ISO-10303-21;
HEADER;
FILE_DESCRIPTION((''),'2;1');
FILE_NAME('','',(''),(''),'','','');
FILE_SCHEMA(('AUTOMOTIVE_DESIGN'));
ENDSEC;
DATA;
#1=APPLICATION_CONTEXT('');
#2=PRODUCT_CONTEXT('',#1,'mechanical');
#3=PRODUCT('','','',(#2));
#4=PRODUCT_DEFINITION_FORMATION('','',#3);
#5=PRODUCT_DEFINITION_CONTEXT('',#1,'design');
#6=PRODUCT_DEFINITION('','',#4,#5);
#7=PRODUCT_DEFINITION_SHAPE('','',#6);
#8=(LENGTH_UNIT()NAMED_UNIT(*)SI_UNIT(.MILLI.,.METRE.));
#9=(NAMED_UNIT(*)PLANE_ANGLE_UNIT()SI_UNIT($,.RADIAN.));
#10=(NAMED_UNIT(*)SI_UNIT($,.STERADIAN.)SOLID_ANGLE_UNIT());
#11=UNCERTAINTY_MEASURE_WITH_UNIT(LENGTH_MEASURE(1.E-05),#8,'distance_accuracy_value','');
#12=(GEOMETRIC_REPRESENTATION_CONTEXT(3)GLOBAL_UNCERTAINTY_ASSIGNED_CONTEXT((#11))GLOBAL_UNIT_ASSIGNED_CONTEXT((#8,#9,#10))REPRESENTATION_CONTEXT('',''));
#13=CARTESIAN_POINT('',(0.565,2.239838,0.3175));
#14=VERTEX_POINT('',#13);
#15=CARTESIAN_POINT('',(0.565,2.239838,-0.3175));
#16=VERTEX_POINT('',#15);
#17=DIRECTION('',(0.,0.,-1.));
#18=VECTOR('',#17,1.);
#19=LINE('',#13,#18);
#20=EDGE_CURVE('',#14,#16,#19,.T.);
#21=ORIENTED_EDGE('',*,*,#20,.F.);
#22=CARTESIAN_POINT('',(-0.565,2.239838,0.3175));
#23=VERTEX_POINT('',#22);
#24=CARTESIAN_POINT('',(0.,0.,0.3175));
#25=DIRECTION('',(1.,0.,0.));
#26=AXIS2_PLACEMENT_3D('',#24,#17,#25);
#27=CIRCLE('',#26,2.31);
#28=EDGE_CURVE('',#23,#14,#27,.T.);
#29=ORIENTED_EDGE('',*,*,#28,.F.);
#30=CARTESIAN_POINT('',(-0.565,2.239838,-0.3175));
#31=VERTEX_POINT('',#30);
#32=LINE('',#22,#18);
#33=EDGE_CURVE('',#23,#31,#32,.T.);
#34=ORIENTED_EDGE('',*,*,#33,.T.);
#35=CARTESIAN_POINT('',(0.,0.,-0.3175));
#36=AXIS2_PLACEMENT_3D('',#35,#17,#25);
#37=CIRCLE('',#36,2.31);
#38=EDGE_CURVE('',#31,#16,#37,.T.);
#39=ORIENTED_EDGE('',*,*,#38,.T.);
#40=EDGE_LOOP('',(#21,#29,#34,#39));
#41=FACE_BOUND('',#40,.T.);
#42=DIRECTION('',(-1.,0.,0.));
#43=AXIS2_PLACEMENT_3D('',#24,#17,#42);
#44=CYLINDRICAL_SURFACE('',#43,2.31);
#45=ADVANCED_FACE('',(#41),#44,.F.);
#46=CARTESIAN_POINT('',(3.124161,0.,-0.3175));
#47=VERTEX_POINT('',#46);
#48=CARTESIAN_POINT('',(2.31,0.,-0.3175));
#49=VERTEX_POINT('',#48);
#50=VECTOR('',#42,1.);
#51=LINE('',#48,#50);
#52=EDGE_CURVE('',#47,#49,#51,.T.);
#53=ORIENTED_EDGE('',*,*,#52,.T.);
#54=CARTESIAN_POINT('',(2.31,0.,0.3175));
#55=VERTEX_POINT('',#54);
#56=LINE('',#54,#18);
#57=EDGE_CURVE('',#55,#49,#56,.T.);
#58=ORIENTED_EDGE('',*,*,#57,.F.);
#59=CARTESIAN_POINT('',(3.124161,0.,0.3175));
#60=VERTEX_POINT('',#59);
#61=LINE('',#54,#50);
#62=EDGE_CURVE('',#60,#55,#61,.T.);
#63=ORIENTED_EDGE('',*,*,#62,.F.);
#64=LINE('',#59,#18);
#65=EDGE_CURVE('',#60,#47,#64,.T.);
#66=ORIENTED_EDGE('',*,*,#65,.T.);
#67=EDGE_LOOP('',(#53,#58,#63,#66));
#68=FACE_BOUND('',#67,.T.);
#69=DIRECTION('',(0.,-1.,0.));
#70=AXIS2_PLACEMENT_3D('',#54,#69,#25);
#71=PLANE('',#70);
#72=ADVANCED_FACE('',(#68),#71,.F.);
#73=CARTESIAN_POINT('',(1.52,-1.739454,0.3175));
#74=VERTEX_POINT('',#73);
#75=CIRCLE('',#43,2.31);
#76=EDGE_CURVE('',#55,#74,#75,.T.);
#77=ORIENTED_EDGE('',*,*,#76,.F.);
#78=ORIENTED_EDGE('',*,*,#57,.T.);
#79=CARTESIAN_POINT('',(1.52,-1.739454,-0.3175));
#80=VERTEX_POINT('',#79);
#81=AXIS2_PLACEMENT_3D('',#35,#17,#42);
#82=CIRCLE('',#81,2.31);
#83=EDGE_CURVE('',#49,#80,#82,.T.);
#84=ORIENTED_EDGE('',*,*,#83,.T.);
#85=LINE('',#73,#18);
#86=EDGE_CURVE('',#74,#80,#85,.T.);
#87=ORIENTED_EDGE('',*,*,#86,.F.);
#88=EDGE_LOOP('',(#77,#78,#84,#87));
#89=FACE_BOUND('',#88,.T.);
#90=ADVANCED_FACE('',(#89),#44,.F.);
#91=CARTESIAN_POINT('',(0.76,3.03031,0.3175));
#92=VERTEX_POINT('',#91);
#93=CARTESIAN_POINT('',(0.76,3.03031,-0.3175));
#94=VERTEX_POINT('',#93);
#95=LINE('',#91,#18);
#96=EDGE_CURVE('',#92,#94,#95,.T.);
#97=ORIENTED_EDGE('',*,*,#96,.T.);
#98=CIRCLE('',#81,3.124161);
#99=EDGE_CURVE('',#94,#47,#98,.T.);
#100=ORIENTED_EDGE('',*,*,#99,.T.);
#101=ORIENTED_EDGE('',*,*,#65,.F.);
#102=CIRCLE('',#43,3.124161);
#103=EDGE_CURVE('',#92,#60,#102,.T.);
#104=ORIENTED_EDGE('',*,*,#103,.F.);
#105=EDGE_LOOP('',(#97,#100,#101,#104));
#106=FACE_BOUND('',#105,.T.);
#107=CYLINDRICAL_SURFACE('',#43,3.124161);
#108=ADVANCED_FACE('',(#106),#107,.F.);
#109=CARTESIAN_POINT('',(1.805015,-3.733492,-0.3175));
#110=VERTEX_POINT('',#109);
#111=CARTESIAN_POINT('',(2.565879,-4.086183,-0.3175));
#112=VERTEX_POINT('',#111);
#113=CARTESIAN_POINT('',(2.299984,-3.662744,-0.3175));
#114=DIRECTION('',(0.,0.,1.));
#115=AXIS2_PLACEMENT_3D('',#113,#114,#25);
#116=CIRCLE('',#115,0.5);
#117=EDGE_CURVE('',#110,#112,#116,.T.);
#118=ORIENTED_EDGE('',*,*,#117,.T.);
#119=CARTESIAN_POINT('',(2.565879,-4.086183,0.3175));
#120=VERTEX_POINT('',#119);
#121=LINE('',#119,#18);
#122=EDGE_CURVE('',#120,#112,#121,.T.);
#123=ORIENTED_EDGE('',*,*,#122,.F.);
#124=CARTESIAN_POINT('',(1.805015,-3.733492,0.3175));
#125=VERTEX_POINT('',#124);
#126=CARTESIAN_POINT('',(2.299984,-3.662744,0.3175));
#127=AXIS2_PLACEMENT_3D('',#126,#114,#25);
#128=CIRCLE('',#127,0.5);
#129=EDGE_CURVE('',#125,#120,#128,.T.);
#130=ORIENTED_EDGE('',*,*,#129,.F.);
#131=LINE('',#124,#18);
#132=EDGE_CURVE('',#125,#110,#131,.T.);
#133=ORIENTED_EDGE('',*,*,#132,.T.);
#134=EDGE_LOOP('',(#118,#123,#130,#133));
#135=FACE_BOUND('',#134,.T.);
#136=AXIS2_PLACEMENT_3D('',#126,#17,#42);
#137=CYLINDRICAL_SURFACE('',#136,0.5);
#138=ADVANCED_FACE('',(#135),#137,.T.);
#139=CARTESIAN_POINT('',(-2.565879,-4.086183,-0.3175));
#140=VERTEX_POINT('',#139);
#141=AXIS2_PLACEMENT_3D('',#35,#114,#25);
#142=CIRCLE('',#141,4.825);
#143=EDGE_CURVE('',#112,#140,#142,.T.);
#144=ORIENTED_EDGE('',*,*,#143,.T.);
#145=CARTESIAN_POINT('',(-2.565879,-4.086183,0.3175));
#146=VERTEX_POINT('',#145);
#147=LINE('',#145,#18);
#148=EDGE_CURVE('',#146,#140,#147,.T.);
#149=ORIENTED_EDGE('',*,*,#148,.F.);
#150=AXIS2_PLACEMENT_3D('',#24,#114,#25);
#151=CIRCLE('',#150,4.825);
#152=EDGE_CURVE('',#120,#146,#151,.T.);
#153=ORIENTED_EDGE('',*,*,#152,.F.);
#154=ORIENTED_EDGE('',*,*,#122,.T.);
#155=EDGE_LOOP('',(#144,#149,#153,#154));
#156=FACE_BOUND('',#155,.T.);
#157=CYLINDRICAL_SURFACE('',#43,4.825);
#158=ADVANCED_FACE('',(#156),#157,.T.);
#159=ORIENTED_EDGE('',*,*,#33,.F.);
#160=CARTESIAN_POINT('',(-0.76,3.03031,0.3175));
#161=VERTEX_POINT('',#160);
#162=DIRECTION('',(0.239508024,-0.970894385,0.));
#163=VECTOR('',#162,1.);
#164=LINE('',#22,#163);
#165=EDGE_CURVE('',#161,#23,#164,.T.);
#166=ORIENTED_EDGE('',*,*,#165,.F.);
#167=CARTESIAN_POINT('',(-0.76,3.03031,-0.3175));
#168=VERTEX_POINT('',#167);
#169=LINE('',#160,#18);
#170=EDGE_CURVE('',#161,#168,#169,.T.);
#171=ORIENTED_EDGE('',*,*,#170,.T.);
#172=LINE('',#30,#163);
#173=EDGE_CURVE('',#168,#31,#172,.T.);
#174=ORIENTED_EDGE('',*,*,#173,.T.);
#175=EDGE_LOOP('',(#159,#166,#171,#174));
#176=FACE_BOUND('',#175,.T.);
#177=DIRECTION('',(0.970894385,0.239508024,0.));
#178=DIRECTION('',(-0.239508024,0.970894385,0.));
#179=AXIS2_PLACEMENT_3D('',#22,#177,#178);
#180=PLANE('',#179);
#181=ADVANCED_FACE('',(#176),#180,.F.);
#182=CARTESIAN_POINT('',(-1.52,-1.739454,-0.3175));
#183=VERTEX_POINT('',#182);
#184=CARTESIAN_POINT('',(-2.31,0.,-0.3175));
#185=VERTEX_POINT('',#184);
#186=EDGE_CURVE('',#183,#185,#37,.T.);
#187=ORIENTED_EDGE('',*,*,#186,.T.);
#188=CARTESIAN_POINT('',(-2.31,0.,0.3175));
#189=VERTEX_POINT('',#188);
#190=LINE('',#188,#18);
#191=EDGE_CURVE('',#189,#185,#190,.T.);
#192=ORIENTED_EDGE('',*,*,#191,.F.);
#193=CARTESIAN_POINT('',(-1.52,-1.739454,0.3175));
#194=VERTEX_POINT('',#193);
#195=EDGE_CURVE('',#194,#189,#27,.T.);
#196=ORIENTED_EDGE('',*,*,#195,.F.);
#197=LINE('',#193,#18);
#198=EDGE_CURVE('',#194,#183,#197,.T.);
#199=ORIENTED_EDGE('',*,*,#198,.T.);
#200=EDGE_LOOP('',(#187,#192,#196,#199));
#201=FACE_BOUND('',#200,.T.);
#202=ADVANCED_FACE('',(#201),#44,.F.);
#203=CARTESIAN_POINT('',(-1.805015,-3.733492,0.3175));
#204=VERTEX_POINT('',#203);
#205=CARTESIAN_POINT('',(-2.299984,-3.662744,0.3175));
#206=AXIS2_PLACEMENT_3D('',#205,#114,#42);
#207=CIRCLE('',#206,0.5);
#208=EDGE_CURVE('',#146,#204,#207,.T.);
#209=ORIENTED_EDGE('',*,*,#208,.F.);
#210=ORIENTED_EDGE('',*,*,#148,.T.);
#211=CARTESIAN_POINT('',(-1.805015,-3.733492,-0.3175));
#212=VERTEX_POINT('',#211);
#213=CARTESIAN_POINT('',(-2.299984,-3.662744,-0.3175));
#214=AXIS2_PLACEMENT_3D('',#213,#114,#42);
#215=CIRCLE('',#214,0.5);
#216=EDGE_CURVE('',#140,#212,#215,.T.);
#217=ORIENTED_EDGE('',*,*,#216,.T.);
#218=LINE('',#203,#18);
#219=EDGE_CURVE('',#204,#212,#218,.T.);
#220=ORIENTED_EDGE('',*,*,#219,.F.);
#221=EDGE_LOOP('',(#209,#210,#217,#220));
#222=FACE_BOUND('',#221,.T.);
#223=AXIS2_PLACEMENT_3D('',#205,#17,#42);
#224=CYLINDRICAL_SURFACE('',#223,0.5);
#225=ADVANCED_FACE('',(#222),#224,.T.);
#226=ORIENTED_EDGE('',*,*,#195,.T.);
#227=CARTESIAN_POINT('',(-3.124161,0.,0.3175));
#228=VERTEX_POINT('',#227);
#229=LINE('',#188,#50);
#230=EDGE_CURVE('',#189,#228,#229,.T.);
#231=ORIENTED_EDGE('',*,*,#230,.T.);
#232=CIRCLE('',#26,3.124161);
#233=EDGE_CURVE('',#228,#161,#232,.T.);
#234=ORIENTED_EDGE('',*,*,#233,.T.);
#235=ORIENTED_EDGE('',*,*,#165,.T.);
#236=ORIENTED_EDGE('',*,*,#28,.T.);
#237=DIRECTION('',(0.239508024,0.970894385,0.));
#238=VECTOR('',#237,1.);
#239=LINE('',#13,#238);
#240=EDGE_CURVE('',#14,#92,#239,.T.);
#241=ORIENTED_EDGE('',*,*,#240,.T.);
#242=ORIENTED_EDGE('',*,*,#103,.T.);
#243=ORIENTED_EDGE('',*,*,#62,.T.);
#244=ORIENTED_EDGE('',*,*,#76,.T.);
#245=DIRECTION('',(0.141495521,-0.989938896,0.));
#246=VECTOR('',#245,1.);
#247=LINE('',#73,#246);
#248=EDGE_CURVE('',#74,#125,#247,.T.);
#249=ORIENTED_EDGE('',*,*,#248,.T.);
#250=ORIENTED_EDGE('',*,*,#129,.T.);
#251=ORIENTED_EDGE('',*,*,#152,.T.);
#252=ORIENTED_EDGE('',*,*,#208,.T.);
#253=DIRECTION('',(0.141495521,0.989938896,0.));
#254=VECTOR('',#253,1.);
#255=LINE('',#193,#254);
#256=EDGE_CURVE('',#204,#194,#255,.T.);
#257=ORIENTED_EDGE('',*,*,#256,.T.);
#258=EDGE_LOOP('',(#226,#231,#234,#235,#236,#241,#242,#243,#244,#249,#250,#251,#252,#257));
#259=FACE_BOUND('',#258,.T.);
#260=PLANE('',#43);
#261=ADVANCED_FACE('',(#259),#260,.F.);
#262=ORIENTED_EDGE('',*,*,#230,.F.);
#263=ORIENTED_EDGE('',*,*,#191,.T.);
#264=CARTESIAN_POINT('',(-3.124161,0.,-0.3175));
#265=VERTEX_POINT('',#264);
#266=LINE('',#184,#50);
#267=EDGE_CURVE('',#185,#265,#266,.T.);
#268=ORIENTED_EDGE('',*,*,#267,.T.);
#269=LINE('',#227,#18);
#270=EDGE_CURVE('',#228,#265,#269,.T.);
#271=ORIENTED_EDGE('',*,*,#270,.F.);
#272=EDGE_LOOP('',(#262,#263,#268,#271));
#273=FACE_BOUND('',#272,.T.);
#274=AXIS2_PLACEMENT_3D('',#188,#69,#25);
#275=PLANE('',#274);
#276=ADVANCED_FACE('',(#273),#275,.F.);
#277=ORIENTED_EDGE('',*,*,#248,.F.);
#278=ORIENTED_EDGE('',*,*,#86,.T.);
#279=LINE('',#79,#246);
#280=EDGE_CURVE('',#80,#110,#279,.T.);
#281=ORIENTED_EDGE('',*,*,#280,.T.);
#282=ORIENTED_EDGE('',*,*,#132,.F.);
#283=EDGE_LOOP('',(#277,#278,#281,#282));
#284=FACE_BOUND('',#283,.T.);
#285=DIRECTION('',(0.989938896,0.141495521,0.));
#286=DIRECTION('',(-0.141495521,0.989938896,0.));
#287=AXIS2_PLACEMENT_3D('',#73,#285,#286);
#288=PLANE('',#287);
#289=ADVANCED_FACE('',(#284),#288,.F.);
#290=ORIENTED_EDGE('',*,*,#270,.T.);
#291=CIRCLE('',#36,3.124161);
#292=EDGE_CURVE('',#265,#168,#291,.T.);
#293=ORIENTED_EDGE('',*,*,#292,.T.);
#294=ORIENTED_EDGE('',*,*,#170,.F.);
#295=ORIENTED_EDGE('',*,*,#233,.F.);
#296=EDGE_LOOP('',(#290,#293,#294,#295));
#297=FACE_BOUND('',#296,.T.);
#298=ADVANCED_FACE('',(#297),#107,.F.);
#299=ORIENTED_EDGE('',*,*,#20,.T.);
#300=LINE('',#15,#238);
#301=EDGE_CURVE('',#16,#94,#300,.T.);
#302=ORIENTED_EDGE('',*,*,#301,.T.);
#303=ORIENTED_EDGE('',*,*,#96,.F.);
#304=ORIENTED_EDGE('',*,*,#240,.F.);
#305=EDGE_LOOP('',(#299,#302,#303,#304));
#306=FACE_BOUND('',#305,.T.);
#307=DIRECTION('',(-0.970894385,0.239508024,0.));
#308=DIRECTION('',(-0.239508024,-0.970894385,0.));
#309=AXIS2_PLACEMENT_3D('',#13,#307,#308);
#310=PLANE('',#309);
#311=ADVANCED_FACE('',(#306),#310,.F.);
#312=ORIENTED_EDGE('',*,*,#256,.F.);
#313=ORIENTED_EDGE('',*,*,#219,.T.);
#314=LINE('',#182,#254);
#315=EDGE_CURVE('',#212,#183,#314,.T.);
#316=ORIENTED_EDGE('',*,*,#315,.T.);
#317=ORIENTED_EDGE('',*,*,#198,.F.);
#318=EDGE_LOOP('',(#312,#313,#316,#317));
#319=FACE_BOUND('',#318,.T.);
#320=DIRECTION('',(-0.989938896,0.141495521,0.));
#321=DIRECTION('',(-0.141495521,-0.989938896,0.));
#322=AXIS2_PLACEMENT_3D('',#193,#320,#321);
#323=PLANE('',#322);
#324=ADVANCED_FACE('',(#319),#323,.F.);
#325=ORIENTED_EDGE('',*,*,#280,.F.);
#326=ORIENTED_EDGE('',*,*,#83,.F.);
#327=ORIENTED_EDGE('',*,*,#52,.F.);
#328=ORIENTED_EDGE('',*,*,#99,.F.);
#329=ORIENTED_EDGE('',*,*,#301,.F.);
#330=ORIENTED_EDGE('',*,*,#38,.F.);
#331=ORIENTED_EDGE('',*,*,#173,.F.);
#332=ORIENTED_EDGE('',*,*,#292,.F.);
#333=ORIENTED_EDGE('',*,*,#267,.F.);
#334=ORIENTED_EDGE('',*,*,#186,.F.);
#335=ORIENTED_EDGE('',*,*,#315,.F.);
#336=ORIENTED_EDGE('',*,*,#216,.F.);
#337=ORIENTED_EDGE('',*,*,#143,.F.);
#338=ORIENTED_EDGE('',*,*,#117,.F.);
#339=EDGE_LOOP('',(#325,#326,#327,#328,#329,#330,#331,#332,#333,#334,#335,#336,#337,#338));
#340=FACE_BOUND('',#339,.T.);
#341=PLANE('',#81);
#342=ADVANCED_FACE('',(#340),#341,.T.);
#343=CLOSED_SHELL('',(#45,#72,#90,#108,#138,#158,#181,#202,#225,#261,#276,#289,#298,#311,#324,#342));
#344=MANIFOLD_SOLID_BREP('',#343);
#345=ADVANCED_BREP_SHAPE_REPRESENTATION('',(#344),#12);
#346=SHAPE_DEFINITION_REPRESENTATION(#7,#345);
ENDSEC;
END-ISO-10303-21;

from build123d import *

# Parameters (mm, degrees)
BOSS_EXTRUDE1_DEPTH = 0.3175


with BuildPart() as part:
    # Sketch1 → Boss-Extrude1 (new body, symmetric)
    with BuildSketch(Plane.XY):
        with BuildLine():
            Line((-2.31, 0), (-3.124160712, 0))
            ThreePointArc((-3.124160712, 0), (-2.463203432, 1.921720325), (-0.76, 3.030310241))
            Line((-0.76, 3.030310241), (-0.565, 2.239838164))
            ThreePointArc((-0.565, 2.239838164), (0, 2.31), (0.565, 2.239838164))
            Line((0.565, 2.239838164), (0.76, 3.030310241))
            ThreePointArc((0.76, 3.030310241), (2.463203432, 1.921720325), (3.124160712, 0))
            Line((3.124160712, 0), (2.31, 0))
            ThreePointArc((2.31, 0), (2.103247489, -0.955222487), (1.52, -1.739453937))
            Line((1.52, -1.739453937), (1.80501504, -3.733492135))
            ThreePointArc((1.80501504, -3.733492135), (2.089707078, -4.11637794), (2.565878648, -4.086183031))
            ThreePointArc((2.565878648, -4.086183031), (0, 4.825), (-2.565878648, -4.086183031))
            ThreePointArc((-2.565878648, -4.086183031), (-2.089707078, -4.11637794), (-1.80501504, -3.733492135))
            Line((-1.80501504, -3.733492135), (-1.52, -1.739453937))
            ThreePointArc((-1.52, -1.739453937), (-2.103247489, -0.955222487), (-2.31, 0))
        make_face()
    extrude(amount=BOSS_EXTRUDE1_DEPTH, both=True)


solid = part.part
